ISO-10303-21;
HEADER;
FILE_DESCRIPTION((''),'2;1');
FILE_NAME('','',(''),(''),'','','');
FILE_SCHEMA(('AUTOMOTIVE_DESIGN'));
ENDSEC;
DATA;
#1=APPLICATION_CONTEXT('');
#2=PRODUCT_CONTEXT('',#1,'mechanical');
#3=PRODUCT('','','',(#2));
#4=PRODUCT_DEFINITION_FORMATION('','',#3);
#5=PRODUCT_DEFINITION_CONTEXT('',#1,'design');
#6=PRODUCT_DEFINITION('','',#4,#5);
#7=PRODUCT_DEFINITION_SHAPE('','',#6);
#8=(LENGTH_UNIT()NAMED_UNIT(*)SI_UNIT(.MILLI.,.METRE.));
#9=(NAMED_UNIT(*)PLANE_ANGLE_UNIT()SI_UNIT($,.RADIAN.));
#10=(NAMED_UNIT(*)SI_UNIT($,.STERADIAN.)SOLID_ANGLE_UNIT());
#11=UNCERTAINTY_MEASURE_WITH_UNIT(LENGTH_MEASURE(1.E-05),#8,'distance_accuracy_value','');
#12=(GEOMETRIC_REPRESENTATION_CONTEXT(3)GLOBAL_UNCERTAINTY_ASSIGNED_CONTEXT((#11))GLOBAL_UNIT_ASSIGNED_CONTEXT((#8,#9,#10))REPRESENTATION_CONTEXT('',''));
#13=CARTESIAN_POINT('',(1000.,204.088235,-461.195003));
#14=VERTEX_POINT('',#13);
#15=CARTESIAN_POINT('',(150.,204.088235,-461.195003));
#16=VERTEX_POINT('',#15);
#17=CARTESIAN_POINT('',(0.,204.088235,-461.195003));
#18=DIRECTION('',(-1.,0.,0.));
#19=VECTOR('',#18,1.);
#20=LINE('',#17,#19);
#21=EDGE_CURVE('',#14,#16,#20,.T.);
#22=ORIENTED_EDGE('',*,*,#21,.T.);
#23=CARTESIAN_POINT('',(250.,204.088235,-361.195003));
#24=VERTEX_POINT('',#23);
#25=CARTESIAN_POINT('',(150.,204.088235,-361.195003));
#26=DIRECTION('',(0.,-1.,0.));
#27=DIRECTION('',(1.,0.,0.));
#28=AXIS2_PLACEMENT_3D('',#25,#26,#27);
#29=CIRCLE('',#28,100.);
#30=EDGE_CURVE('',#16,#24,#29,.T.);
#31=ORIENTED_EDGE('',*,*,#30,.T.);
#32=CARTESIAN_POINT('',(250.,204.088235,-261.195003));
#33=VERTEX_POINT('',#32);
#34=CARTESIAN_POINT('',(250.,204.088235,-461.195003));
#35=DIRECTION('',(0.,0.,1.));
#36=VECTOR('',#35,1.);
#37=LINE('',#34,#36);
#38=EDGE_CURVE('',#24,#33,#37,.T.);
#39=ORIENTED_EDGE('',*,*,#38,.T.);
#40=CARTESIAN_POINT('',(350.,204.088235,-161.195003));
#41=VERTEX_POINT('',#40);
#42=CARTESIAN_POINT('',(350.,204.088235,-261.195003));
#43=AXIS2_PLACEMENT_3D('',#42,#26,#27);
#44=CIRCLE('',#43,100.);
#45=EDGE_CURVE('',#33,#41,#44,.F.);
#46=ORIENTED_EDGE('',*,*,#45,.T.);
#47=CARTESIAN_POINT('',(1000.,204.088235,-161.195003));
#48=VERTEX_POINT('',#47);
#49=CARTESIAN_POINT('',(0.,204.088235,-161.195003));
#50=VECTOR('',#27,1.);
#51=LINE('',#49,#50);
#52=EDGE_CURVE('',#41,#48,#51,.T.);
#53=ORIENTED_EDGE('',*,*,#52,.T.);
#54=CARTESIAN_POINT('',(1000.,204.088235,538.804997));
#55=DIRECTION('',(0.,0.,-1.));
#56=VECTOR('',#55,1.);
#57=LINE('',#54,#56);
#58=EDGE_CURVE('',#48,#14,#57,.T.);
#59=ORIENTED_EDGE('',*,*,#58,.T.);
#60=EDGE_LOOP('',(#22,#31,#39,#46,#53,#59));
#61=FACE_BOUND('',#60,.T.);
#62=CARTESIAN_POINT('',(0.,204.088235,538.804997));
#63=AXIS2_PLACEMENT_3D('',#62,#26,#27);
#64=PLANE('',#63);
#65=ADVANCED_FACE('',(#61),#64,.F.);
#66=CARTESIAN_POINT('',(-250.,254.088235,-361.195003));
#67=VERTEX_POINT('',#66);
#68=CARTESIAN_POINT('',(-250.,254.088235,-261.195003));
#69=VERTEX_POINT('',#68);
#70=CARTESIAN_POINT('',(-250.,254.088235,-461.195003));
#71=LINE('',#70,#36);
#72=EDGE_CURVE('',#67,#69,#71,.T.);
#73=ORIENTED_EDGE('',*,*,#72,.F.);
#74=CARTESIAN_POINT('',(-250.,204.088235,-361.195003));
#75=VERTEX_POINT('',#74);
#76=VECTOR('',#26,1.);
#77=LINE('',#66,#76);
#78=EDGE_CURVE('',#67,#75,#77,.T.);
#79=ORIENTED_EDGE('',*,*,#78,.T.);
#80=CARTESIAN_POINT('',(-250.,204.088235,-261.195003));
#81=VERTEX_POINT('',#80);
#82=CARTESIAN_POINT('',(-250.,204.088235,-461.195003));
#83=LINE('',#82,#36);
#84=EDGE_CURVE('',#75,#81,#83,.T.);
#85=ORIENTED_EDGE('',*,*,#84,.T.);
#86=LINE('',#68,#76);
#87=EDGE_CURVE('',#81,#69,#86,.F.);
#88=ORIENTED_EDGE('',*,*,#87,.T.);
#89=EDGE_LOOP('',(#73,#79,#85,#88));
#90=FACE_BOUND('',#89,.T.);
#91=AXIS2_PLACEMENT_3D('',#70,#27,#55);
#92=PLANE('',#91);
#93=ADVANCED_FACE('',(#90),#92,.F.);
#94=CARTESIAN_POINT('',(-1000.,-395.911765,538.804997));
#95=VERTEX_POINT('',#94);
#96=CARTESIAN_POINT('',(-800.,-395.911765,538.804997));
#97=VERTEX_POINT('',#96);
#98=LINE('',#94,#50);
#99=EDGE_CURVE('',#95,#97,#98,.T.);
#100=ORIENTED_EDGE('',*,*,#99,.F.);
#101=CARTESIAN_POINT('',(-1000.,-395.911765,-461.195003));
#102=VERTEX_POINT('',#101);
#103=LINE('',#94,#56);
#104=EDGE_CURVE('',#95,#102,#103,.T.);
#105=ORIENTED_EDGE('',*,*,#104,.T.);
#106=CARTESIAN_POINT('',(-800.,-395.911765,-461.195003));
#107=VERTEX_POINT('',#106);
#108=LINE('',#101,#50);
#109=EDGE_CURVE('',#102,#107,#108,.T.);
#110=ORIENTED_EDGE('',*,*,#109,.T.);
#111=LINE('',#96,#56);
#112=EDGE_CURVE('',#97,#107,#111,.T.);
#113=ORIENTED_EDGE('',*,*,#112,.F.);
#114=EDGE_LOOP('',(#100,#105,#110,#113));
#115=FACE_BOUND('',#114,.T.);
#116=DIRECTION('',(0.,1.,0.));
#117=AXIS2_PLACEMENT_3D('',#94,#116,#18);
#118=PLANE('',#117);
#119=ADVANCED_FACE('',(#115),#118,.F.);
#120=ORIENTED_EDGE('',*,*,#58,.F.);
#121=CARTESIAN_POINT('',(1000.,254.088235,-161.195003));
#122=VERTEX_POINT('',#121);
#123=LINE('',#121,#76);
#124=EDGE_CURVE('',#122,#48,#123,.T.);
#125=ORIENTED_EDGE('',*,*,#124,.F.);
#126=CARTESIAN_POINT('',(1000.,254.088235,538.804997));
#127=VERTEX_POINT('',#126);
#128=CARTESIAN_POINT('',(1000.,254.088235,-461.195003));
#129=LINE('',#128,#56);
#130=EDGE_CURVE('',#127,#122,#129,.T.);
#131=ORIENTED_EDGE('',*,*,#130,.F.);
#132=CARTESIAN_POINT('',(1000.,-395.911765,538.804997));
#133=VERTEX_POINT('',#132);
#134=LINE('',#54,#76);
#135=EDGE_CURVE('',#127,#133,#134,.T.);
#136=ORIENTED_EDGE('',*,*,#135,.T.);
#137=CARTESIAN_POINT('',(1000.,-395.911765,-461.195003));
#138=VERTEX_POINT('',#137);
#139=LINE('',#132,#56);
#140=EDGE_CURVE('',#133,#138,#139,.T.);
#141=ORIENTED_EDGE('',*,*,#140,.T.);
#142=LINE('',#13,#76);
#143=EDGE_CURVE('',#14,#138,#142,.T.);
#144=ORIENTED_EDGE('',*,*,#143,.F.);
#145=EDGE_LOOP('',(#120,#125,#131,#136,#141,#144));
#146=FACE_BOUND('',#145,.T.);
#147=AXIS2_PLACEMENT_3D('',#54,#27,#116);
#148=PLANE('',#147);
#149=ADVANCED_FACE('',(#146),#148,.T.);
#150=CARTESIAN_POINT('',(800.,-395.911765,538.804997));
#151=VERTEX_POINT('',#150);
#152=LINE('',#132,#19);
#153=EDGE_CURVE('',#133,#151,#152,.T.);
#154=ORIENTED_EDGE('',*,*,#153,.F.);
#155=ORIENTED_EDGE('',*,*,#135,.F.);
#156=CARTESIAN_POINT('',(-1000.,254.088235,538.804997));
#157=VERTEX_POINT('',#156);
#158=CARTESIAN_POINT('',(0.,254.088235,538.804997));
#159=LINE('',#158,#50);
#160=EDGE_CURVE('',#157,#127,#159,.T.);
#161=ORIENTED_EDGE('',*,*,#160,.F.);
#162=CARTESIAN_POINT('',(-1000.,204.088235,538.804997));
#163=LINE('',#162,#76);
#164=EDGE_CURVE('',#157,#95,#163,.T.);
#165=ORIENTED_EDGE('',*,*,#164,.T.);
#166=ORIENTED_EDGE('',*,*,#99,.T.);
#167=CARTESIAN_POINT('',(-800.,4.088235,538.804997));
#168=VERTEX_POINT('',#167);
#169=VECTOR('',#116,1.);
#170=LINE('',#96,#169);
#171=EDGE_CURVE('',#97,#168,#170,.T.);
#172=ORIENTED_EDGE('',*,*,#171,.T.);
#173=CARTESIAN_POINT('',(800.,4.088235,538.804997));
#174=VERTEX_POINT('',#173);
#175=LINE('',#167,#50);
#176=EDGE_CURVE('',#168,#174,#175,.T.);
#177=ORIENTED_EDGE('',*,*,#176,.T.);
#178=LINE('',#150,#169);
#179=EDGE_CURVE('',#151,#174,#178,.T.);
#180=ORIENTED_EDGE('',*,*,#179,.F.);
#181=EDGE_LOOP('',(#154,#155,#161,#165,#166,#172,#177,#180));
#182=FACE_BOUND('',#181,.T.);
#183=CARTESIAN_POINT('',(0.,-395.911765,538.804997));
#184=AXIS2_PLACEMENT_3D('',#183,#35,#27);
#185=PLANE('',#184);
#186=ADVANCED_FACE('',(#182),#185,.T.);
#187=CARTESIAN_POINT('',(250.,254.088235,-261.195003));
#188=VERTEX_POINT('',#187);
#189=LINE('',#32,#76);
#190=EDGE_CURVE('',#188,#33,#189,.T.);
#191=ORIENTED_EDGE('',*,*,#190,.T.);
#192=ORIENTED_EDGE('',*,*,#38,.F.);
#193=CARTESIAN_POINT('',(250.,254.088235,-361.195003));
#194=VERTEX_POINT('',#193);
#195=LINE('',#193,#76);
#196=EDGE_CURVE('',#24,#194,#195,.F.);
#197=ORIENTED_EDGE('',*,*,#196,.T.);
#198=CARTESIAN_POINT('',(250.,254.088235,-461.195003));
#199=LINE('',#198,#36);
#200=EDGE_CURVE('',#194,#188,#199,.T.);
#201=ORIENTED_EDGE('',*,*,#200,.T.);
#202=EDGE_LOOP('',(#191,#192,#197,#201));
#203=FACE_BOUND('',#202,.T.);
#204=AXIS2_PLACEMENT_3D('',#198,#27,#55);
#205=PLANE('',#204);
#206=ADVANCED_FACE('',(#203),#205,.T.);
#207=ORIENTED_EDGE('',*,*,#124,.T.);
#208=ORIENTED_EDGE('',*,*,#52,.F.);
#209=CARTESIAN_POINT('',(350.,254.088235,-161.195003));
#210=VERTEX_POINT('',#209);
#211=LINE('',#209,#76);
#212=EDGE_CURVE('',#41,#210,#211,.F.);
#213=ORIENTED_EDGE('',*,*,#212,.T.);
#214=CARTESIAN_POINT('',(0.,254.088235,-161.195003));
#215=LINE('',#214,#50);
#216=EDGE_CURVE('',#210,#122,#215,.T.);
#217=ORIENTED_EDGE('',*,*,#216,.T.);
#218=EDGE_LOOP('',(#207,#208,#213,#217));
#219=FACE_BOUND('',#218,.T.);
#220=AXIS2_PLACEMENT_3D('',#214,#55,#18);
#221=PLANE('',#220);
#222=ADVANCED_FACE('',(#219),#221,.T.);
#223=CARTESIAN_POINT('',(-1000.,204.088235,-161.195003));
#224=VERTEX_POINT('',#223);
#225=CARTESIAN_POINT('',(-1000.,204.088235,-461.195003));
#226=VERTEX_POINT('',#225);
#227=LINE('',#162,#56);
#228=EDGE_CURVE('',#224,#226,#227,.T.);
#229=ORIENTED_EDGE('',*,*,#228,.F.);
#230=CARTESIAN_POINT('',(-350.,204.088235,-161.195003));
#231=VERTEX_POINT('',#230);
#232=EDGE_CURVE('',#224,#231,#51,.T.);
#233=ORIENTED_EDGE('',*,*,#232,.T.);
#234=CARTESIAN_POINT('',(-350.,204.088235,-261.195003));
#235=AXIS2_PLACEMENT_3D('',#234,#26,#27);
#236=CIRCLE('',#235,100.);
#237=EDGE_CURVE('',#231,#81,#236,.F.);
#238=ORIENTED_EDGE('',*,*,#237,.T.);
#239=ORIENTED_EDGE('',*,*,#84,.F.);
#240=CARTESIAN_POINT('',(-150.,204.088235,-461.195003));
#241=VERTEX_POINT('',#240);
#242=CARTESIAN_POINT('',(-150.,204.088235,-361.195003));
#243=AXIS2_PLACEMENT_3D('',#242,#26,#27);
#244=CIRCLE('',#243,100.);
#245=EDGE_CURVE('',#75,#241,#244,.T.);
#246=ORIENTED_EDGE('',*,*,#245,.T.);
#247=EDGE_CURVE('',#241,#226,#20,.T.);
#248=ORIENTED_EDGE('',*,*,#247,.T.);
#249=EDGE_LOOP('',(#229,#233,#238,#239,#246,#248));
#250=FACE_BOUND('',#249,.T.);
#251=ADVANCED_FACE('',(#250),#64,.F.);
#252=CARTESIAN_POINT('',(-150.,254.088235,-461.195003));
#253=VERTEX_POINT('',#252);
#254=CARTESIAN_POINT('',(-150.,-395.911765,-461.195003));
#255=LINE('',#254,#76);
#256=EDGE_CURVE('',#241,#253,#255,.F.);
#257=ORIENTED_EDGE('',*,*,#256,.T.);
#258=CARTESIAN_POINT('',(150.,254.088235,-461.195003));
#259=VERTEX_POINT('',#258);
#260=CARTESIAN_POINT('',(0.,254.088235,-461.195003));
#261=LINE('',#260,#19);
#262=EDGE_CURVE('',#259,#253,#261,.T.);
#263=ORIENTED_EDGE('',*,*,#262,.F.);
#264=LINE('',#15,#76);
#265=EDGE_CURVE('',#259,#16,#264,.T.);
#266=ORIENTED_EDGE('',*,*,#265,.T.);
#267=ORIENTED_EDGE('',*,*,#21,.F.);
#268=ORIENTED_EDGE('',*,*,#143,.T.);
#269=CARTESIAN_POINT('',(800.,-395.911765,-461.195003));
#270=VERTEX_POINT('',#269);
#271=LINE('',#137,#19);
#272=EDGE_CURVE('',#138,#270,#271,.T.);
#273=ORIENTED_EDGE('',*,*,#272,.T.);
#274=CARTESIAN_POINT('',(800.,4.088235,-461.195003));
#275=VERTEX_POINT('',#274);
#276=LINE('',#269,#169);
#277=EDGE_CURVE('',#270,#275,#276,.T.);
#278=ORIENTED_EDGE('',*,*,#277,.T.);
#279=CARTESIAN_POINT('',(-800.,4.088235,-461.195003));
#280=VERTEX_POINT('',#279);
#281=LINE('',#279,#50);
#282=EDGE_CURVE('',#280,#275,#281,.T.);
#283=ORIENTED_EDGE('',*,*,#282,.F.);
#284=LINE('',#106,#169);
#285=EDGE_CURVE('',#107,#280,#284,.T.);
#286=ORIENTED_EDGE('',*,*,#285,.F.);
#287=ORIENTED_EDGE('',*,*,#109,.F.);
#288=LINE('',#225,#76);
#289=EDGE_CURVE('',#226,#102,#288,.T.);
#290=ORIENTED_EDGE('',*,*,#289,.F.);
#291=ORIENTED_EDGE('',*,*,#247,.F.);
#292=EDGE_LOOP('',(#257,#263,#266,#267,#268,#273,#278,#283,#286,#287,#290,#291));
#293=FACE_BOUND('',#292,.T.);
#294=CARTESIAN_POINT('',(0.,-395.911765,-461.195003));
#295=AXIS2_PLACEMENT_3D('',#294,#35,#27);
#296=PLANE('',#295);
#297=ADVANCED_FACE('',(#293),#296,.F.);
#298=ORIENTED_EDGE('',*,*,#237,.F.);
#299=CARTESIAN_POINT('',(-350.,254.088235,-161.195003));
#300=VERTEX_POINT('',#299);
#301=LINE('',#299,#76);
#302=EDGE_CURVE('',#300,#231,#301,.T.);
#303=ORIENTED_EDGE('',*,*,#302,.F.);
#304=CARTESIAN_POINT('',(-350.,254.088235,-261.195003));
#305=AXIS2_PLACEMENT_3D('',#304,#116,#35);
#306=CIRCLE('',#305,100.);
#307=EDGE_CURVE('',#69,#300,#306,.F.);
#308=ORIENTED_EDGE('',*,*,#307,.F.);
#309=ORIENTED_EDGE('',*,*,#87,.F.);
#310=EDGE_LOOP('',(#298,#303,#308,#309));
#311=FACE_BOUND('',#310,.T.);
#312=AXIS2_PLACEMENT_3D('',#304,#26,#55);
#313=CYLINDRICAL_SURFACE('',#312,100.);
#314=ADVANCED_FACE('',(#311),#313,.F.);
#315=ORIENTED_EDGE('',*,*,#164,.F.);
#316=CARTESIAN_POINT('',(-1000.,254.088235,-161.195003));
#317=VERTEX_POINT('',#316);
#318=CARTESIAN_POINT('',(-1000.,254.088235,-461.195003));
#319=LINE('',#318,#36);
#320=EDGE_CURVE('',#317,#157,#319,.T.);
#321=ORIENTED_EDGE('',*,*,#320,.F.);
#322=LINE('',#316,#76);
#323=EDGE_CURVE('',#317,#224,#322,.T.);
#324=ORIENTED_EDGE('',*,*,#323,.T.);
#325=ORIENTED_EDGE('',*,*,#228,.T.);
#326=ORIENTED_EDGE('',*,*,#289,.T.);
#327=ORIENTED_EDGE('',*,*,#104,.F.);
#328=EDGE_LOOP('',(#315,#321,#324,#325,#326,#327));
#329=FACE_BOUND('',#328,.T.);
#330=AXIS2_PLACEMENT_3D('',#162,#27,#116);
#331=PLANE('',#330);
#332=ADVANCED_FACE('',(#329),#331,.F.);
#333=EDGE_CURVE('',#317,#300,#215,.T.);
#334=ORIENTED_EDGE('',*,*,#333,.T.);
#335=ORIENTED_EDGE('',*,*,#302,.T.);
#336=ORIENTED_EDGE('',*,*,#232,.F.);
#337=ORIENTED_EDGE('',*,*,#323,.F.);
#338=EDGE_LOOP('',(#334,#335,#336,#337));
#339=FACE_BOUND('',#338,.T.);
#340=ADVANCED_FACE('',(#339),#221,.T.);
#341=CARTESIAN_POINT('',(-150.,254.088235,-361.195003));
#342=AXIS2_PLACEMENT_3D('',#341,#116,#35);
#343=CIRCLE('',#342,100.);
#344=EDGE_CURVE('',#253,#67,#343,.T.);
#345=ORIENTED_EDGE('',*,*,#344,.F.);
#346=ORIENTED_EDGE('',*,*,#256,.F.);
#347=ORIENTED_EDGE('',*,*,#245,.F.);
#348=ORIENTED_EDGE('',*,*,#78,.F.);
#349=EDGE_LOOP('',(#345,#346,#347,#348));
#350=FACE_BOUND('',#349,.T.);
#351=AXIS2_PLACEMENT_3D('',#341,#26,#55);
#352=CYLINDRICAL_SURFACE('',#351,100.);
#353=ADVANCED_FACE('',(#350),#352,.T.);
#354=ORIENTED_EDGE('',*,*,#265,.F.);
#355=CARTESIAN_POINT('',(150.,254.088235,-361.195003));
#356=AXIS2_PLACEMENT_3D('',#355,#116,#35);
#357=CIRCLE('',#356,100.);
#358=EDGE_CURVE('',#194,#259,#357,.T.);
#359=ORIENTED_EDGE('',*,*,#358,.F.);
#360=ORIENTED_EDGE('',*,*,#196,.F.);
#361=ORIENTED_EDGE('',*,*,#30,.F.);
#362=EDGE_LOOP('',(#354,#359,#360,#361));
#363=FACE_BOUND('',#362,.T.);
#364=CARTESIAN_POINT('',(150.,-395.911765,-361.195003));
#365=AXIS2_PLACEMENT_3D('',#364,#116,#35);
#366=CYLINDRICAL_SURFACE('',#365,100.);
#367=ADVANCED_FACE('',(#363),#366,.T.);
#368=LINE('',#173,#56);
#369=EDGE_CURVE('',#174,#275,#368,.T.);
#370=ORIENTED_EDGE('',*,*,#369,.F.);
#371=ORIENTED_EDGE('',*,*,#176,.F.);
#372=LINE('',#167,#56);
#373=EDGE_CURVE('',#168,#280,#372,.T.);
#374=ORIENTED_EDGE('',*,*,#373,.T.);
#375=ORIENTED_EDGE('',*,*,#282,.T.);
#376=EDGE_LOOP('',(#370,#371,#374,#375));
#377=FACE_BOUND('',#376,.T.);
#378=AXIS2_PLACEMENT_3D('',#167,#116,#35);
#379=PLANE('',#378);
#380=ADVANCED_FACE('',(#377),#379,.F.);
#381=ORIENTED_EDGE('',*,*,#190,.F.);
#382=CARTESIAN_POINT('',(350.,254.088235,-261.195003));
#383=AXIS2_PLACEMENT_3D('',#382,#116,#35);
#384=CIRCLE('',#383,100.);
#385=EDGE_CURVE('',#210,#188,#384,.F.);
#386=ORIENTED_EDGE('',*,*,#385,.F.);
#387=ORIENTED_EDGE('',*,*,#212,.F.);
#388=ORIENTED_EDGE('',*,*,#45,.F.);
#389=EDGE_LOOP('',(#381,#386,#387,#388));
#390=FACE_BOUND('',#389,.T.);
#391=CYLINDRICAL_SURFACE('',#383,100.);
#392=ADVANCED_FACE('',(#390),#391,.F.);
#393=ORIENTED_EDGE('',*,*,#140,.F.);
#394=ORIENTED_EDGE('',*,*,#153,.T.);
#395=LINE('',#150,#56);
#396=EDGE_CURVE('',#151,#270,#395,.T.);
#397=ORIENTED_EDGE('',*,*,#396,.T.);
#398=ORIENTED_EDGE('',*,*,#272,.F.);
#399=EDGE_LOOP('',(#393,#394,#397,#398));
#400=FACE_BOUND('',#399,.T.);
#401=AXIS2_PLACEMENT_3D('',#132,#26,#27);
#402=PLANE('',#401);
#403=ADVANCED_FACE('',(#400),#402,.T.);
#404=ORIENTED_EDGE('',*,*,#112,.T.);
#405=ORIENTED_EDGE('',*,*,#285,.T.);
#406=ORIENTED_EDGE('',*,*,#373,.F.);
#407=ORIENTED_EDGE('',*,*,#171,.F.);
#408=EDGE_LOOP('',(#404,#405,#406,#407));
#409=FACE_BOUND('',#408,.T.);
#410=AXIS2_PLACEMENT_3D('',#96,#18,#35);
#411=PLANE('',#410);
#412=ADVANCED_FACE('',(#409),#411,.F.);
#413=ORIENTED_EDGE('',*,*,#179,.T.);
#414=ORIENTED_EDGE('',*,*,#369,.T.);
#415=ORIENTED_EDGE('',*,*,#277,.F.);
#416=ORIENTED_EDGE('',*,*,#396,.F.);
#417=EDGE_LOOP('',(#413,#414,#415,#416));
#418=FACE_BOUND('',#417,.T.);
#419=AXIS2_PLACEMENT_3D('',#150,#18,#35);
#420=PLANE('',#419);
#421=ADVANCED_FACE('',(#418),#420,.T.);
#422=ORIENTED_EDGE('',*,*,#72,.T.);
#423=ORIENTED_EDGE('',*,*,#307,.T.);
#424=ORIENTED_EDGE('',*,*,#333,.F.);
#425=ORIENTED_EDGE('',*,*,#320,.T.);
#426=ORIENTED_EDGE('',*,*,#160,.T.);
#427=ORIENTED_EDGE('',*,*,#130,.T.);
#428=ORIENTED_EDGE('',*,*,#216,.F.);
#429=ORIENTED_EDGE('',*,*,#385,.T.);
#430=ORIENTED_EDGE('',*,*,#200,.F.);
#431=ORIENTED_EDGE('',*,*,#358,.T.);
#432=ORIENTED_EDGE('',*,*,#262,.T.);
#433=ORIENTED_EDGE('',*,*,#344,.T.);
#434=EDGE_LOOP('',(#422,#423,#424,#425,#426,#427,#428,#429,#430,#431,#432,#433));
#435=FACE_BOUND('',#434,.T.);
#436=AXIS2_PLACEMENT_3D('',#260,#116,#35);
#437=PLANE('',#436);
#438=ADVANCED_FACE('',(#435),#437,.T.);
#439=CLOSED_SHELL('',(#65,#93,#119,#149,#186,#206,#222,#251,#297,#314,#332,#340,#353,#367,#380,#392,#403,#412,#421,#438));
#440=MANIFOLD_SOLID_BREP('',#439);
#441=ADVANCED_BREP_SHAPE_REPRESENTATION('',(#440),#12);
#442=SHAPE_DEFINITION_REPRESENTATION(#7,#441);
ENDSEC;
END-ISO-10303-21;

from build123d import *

# Parameters (mm, degrees)
BOSS_EXTRUDE1_DEPTH = 100
SKETCH2_W           = 50
SKETCH2_H           = 30
BOSS_EXTRUDE2_DEPTH = 5
FILLET1_R           = 10
SCALE1_SCALE        = 10


with BuildPart() as part:
    # Sketch1 → Boss-Extrude1 (new body)
    with BuildSketch(Plane.XY):
        Polygon((0, 60), (-100, 60), (-100, 0), (-80, 0), (-80, 40), (0, 40), align=None)
    boss_extrude1 = extrude(amount=BOSS_EXTRUDE1_DEPTH)

    # Mirror1: Boss-Extrude1 across plane
    add(boss_extrude1.mirror(Plane(origin=(0, 40, 100), x_dir=(0, 0, 1), z_dir=(-1, 0, 0))))

    # Sketch2 → Boss-Extrude2 (add)
    with BuildSketch(Plane(origin=(0, 60, 0), x_dir=(1, 0, 0), z_dir=(0, 1, 0))):
        Polygon((-100, -30), (-100, -100), (100, -100), (100, -30), (25, -30), (-25, -30), align=None)
        with Locations((0, -15)):
            Rectangle(SKETCH2_W, SKETCH2_H)
    extrude(amount=BOSS_EXTRUDE2_DEPTH)

    # Fillet1
    fillet1_edges = [part.edges().sort_by_distance(p)[0] for p in [
        (-25, 62.5, 30),
        (25, 62.5, 30),
        (25, 62.5, 0),
        (-25, 62.5, 0),
    ]]
    fillet(fillet1_edges, radius=FILLET1_R)


with BuildPart() as part_1:
    # Scale1: scaled about (0, 43.990196078, 51.243889179)
    add(part.part.scale(SCALE1_SCALE).moved(Location((0, -395.911764702, -461.195002611))))


solid = part_1.part
